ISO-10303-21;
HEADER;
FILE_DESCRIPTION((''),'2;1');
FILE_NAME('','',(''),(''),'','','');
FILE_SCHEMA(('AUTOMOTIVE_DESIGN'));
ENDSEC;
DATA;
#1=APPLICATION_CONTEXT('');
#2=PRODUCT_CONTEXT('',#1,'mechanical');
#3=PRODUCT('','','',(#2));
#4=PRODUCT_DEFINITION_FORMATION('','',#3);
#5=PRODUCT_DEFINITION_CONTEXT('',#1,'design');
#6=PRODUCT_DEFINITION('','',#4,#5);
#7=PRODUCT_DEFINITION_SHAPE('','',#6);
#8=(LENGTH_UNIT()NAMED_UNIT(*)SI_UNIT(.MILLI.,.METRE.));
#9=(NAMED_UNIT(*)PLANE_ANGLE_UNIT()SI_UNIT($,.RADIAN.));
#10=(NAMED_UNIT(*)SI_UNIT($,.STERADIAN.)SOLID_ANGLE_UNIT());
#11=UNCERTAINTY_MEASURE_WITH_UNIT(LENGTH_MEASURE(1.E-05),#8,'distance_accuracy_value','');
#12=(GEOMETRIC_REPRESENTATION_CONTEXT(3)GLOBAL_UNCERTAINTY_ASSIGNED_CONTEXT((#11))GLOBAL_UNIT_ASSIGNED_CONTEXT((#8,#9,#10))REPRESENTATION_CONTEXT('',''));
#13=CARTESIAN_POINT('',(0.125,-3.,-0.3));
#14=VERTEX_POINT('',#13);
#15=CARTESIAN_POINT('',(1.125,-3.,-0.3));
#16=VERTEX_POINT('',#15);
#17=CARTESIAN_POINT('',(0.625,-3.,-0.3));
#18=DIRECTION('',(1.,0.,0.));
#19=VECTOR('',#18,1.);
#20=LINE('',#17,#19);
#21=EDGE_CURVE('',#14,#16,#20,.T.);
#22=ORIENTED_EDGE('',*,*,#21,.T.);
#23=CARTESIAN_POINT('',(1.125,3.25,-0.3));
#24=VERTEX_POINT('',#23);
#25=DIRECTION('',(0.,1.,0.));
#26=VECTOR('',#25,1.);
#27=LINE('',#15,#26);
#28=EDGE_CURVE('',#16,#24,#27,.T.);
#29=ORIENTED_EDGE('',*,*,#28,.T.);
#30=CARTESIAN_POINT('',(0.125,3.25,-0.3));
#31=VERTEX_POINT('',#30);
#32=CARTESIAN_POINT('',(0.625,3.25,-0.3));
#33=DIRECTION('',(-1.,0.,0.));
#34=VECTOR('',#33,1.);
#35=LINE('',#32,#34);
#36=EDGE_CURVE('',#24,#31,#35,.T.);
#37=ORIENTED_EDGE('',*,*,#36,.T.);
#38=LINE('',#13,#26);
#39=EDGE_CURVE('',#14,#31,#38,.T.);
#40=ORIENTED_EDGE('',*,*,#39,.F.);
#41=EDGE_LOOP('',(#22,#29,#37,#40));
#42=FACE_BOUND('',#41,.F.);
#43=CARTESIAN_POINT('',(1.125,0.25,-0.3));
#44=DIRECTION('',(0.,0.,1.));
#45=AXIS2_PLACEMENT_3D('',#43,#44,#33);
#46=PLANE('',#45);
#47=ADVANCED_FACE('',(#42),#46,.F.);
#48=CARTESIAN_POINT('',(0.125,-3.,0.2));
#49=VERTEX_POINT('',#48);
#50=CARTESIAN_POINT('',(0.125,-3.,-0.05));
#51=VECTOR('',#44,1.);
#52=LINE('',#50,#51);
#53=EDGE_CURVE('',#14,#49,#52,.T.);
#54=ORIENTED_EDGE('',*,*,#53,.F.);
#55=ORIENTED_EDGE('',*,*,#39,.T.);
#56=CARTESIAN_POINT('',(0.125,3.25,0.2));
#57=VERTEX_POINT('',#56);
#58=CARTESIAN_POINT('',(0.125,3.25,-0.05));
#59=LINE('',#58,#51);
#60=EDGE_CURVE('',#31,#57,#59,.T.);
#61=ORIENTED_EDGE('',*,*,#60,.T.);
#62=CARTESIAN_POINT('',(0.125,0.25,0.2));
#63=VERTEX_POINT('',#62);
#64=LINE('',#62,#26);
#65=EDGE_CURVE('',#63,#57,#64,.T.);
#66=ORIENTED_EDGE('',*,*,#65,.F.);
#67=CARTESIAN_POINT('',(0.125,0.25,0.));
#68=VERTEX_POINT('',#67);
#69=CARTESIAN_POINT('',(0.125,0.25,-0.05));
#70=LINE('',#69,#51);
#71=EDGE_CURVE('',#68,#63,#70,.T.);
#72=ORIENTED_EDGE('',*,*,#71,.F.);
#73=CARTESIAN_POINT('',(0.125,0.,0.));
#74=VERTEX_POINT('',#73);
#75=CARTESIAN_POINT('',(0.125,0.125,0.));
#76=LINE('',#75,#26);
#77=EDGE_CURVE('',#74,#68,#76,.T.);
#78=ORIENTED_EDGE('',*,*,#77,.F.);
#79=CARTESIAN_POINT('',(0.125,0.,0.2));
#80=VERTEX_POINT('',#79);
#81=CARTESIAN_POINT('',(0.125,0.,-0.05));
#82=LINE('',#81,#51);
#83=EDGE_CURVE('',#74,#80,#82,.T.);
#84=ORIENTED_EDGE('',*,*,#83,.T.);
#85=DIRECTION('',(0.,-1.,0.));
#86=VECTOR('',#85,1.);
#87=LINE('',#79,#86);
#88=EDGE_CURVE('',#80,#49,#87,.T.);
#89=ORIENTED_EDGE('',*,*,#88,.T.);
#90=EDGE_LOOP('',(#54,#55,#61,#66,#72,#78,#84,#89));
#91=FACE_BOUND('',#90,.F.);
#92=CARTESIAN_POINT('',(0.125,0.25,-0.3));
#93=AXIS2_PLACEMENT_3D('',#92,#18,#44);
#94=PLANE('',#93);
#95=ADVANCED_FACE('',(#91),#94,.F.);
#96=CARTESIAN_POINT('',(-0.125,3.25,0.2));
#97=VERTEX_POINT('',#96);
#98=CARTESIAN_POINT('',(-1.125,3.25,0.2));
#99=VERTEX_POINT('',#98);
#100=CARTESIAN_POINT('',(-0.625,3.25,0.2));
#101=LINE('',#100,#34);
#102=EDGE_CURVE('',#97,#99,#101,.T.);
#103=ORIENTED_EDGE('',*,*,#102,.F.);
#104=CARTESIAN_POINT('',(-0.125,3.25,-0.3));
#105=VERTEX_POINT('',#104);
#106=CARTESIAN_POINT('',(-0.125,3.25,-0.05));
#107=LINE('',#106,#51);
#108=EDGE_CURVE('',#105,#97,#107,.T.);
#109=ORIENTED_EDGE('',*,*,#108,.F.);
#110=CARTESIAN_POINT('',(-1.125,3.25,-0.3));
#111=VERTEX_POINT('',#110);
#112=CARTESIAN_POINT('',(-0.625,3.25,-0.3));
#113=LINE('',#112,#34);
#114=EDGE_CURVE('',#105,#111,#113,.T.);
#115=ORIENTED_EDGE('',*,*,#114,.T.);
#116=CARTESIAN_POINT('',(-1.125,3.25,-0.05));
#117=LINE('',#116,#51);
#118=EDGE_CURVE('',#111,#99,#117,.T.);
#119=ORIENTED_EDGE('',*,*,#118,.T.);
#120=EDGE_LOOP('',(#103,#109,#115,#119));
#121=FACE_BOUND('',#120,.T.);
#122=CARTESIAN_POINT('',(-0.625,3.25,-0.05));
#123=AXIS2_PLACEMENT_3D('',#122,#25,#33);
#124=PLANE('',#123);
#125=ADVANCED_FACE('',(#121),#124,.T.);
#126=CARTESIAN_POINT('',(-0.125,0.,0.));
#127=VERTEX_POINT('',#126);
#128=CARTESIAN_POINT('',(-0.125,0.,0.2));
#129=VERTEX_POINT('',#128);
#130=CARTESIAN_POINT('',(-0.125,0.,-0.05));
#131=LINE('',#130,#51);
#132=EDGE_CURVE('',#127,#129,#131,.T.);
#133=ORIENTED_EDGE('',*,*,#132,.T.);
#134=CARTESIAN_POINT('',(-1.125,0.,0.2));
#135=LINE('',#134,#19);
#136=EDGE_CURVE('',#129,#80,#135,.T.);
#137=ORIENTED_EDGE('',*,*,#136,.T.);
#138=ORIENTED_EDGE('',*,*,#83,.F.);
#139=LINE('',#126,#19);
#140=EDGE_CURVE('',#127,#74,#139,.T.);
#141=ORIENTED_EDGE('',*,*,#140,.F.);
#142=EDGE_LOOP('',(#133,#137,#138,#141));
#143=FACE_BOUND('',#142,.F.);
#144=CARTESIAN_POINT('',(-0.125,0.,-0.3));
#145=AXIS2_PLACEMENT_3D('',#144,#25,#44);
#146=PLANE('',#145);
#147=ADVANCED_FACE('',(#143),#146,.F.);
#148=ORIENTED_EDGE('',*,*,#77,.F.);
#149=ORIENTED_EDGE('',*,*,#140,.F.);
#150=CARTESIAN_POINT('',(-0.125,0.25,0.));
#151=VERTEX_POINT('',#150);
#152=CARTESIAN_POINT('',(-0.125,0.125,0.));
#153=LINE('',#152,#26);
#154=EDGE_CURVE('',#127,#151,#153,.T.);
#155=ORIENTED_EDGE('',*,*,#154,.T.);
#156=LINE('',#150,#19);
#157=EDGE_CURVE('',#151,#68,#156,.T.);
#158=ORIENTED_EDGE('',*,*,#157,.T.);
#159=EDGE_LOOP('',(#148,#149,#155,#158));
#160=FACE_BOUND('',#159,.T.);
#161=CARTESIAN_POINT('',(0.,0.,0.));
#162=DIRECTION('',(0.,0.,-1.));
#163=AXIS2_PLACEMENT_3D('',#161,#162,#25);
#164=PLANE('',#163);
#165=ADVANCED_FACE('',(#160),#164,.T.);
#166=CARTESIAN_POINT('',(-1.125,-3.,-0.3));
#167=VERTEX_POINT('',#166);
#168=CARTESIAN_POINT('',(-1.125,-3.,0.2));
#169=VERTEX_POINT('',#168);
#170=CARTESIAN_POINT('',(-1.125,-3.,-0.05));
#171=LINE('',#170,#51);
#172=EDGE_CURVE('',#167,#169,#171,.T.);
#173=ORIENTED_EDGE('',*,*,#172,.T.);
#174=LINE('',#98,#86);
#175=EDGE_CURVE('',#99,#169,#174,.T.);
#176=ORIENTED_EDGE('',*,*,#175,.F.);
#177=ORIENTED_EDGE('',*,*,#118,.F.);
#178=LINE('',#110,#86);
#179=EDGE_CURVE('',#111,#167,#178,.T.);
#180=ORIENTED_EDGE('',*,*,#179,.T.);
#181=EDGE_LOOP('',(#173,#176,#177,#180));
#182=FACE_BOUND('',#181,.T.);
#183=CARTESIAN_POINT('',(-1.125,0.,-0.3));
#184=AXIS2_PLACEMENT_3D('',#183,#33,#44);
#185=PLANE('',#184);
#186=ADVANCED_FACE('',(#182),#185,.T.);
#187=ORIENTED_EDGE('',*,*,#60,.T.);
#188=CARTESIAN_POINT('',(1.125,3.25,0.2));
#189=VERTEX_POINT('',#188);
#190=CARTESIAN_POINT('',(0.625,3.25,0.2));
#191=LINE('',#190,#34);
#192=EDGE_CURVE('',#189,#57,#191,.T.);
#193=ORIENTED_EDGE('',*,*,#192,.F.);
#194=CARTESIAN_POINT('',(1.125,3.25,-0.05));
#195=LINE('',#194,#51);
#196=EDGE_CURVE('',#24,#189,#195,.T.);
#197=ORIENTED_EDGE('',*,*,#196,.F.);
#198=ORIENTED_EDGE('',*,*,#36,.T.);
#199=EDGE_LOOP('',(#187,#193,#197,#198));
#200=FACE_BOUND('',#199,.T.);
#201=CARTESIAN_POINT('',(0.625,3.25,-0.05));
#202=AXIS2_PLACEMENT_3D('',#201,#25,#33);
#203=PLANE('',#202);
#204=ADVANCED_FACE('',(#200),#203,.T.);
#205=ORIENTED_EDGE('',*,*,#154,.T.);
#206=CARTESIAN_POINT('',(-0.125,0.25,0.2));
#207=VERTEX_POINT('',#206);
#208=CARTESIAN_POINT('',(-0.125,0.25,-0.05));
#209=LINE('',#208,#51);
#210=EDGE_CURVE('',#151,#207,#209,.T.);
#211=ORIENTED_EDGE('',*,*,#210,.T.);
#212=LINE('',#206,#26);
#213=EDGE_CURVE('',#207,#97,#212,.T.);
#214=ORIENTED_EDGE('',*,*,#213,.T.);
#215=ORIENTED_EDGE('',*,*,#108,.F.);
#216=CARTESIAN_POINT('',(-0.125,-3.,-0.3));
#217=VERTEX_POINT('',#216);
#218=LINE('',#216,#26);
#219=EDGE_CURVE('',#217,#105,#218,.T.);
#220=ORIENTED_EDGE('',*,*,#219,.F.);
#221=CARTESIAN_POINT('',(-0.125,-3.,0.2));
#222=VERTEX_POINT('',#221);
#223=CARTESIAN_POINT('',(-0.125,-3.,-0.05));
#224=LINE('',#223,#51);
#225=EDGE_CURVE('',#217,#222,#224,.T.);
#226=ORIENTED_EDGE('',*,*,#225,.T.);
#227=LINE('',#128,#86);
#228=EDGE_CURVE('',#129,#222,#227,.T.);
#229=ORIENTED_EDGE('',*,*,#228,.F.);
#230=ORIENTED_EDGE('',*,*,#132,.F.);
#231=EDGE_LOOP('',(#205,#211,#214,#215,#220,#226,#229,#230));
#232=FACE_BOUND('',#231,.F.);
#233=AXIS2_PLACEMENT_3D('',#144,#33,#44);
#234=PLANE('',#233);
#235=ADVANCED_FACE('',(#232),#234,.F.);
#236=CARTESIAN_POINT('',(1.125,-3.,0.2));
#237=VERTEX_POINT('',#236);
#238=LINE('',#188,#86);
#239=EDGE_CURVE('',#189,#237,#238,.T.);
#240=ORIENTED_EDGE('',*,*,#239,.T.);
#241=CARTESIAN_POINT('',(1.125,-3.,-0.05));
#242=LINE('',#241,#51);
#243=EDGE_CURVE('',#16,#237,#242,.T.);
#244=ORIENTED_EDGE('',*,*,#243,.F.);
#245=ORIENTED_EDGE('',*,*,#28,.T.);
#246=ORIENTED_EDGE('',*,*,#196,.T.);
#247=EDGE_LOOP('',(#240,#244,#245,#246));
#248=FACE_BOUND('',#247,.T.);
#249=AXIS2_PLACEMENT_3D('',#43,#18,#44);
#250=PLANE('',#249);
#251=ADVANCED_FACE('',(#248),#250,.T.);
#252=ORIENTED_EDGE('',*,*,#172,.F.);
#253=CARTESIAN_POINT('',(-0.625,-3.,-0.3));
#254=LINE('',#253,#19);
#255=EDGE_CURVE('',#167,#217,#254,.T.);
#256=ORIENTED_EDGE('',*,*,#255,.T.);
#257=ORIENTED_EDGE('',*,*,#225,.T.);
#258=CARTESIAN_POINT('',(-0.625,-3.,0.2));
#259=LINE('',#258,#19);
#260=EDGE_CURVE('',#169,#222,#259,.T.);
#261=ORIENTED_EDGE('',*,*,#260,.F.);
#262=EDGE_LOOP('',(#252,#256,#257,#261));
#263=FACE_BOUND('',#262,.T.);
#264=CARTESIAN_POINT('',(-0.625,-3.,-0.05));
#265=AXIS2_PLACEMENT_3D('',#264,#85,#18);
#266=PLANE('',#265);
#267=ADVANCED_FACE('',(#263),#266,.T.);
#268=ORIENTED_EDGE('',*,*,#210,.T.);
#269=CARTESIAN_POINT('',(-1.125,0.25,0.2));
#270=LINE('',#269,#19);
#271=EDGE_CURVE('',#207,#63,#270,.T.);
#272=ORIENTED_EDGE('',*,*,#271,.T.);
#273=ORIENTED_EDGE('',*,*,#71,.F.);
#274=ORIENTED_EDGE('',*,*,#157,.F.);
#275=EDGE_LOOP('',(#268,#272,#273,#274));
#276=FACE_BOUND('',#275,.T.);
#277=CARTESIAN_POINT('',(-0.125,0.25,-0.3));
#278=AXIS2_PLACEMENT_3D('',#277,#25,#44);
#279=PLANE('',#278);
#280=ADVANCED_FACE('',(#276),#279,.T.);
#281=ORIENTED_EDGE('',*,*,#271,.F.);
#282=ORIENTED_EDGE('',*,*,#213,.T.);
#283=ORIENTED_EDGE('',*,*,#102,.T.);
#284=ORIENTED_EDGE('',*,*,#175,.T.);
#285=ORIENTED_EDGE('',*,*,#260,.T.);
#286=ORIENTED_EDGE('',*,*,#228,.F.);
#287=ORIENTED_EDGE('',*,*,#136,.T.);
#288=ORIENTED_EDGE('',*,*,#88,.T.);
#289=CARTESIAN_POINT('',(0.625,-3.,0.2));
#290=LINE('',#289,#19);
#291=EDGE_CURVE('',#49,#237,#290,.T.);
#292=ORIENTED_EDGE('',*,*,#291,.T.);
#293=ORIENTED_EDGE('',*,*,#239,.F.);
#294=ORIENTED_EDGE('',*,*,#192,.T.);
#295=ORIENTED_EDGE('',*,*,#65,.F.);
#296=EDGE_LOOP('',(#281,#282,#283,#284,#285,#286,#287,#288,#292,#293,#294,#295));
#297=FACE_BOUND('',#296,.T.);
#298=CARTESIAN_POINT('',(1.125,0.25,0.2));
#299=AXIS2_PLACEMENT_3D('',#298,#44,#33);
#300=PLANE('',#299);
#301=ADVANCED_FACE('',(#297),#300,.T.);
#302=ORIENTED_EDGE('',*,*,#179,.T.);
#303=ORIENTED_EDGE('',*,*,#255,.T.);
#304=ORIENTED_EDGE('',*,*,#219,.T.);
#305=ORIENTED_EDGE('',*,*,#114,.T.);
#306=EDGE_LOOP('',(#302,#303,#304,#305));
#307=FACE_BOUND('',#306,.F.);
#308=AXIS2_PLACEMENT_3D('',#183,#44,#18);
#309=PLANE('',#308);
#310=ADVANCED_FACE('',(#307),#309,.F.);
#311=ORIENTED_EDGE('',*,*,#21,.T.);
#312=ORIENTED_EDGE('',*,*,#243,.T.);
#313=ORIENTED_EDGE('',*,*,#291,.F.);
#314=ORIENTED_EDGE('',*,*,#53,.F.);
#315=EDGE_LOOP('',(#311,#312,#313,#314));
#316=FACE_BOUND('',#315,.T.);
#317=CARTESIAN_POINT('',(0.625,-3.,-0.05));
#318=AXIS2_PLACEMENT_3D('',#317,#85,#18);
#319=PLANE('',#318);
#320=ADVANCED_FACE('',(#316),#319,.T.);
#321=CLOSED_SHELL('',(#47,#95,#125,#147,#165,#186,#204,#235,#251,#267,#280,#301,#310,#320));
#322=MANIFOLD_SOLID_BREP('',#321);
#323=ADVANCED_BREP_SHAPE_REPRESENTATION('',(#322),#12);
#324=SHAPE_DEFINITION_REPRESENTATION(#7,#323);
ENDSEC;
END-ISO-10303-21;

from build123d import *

# Parameters (mm, degrees)
F0_W     = 0.25
F0_H     = 0.2
F1_DEPTH = 0.125
F2_W     = 0.25
F2_H     = 0.5
F3_DEPTH = 1
F4_W     = 0.25
F4_H     = 0.5
F5_DEPTH = 1
F6_W     = 1
F6_H     = 0.5
F7_DEPTH = 3
F8_W     = 1
F8_H     = 0.5
F9_DEPTH = 3


with BuildPart() as f1:
    # F0 (on Right) → F1 (new body, symmetric)
    with BuildSketch(Plane.YZ):
        with Locations((0.125, 0.1)):
            Rectangle(F0_W, F0_H)
    extrude(amount=F1_DEPTH, both=True)

    # F2 (on face) → F3 (join)
    with BuildSketch(Plane.YZ.offset(0.125)):
        with Locations((0.125, -0.05)):
            Rectangle(F2_W, F2_H)
    extrude(amount=F3_DEPTH)

    # F4 (on face) → F5 (join)
    with BuildSketch(Plane(origin=(-0.125, 0, 0), x_dir=(0, -1, 0), z_dir=(-1, 0, 0))):
        with Locations((-0.125, -0.05)):
            Rectangle(F4_W, F4_H)
    extrude(amount=F5_DEPTH)

    # F6 (on face) → F7 (join)
    with BuildSketch(Plane.XZ):
        with Locations((-0.625, -0.05)):
            Rectangle(F6_W, F6_H)
        with Locations((0.625, -0.05)):
            Rectangle(F6_W, F6_H)
    extrude(amount=F7_DEPTH)

    # F8 (on face) → F9 (join)
    with BuildSketch(Plane(origin=(0, 0.25, 0), x_dir=(-1, 0, 0), z_dir=(0, 1, 0))):
        with Locations((-0.625, -0.05)):
            Rectangle(F8_W, F8_H)
        with Locations((0.625, -0.05)):
            Rectangle(F8_W, F8_H)
    extrude(amount=F9_DEPTH)


solid = f1.part
